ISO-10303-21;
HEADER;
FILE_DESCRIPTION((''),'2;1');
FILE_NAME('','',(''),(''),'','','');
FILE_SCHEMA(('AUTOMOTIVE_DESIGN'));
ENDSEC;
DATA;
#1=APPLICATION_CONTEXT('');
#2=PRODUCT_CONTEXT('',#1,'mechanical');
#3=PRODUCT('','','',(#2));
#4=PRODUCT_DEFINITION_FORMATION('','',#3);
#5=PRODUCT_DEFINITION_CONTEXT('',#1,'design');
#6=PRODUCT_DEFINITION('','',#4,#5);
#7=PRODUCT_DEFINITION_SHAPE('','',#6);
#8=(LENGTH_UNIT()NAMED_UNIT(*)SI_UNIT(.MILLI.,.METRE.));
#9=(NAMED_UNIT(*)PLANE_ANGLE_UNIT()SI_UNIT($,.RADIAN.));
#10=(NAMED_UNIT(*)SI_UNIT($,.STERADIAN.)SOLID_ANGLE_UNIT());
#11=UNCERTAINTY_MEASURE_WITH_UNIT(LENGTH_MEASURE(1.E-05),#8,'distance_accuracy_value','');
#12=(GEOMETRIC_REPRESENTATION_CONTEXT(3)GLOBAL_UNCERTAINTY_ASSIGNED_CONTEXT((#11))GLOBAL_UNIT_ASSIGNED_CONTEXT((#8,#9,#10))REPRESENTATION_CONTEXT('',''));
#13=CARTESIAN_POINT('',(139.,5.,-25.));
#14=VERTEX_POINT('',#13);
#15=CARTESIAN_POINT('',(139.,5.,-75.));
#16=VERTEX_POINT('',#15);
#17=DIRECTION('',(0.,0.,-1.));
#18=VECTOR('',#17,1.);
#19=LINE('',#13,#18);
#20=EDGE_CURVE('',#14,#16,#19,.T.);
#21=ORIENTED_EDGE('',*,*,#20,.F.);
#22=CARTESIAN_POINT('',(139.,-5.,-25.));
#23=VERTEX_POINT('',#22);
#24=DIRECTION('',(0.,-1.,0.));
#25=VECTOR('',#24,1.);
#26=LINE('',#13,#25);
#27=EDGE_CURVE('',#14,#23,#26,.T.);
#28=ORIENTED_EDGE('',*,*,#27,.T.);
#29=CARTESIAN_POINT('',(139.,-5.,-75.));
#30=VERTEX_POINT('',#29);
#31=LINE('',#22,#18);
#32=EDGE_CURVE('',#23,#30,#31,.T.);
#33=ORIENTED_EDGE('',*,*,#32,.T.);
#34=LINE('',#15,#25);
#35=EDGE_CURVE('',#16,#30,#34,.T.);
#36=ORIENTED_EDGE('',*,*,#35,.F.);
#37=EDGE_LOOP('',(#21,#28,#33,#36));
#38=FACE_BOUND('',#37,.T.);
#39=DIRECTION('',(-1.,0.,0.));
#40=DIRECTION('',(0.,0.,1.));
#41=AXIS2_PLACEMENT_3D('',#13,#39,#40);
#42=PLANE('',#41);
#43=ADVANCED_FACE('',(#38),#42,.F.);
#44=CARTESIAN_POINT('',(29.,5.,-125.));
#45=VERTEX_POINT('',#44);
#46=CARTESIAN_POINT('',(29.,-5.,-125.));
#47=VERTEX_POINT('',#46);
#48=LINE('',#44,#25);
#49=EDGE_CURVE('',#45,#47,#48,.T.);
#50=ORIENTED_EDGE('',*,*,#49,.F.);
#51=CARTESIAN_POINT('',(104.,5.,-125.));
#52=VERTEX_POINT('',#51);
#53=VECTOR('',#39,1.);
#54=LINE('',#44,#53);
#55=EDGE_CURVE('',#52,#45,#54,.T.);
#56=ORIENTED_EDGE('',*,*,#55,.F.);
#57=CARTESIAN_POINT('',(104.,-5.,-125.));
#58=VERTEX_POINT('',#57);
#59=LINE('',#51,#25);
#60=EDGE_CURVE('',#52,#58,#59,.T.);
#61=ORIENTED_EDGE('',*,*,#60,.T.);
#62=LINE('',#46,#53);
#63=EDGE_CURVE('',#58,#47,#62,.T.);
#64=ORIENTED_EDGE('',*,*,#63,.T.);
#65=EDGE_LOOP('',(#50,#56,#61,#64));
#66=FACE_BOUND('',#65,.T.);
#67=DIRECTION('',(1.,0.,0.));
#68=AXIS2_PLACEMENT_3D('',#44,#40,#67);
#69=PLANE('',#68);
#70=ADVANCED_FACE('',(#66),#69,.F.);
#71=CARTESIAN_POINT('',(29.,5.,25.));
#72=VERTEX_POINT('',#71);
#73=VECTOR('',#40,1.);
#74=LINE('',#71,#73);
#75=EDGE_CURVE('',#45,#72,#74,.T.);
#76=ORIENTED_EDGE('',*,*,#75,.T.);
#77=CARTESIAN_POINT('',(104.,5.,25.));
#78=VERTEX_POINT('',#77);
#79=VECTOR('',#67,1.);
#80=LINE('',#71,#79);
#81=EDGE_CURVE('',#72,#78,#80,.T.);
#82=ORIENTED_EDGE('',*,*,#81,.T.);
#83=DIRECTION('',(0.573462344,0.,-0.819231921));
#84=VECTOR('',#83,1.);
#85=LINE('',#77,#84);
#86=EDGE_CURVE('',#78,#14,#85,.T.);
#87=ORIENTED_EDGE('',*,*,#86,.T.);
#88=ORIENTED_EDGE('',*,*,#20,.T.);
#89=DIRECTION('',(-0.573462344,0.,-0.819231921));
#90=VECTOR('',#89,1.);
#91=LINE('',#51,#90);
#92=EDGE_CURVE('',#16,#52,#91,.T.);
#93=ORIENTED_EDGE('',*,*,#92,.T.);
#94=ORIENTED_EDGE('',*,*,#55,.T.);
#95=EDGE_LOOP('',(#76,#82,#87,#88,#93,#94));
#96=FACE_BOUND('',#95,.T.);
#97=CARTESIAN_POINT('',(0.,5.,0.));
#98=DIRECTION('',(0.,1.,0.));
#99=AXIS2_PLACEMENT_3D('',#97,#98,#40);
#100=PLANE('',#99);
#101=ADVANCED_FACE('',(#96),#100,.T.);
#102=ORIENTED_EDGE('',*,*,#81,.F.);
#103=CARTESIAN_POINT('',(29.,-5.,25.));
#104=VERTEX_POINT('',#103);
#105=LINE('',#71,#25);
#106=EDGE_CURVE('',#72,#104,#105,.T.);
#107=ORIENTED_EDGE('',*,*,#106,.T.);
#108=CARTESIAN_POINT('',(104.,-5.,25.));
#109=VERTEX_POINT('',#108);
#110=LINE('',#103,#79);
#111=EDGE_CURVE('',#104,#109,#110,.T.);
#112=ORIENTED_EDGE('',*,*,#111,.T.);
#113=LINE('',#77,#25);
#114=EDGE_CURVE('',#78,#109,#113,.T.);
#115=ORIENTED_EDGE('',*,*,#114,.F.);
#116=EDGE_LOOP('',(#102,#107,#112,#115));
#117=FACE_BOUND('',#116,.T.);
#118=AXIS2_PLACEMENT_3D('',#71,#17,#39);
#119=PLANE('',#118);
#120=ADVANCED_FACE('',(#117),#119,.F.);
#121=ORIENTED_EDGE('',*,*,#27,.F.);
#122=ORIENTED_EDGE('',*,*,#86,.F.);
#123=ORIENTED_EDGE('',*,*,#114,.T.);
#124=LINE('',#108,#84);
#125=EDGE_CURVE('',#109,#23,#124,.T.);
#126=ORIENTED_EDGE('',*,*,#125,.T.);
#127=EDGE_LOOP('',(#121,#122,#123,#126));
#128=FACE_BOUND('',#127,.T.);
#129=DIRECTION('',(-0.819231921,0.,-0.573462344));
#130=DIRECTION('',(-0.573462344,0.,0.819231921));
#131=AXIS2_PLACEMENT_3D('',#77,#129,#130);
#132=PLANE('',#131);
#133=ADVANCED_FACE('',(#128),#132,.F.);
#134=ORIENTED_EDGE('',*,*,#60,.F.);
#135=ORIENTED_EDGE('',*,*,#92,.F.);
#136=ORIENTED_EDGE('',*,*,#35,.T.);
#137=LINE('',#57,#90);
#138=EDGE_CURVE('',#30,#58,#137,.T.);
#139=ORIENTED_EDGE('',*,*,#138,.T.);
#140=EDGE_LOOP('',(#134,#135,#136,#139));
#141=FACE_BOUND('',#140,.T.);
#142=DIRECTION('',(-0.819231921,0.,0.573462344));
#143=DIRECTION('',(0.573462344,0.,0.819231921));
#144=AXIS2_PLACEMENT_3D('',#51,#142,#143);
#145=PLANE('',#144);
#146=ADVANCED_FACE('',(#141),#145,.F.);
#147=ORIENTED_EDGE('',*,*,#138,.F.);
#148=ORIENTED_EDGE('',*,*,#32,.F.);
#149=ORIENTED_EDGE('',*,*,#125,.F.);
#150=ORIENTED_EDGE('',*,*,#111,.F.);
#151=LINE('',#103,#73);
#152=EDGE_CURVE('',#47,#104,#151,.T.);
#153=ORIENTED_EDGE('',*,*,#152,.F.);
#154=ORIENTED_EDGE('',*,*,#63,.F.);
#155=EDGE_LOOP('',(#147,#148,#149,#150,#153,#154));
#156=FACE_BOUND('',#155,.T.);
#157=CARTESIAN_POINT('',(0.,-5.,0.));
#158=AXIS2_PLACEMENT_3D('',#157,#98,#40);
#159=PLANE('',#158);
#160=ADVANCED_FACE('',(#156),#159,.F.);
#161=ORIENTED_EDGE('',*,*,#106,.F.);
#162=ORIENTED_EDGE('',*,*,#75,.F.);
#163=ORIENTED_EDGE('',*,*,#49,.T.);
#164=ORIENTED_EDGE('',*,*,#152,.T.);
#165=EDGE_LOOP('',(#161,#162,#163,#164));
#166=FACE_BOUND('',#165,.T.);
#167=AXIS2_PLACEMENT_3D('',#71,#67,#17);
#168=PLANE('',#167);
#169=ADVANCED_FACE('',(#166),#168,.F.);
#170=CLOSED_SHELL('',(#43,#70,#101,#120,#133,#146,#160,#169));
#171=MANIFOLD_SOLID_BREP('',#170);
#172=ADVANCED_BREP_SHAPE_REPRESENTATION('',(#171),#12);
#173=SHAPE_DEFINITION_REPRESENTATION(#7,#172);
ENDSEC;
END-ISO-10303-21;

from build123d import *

# Parameters (mm, degrees)
BOSS_EXTRUDE1_DEPTH = 5


with BuildPart() as part:
    # Sketch1 → Boss-Extrude1 (new, symmetric)
    with BuildSketch(Plane(origin=(0, 0, 0), x_dir=(1, 0, 0), z_dir=(0, 1, 0))):
        Polygon((29, -25), (104, -25), (139, 25), (139, 75), (104, 125), (29, 125), align=None)
    extrude(amount=BOSS_EXTRUDE1_DEPTH, both=True)


solid = part.part
